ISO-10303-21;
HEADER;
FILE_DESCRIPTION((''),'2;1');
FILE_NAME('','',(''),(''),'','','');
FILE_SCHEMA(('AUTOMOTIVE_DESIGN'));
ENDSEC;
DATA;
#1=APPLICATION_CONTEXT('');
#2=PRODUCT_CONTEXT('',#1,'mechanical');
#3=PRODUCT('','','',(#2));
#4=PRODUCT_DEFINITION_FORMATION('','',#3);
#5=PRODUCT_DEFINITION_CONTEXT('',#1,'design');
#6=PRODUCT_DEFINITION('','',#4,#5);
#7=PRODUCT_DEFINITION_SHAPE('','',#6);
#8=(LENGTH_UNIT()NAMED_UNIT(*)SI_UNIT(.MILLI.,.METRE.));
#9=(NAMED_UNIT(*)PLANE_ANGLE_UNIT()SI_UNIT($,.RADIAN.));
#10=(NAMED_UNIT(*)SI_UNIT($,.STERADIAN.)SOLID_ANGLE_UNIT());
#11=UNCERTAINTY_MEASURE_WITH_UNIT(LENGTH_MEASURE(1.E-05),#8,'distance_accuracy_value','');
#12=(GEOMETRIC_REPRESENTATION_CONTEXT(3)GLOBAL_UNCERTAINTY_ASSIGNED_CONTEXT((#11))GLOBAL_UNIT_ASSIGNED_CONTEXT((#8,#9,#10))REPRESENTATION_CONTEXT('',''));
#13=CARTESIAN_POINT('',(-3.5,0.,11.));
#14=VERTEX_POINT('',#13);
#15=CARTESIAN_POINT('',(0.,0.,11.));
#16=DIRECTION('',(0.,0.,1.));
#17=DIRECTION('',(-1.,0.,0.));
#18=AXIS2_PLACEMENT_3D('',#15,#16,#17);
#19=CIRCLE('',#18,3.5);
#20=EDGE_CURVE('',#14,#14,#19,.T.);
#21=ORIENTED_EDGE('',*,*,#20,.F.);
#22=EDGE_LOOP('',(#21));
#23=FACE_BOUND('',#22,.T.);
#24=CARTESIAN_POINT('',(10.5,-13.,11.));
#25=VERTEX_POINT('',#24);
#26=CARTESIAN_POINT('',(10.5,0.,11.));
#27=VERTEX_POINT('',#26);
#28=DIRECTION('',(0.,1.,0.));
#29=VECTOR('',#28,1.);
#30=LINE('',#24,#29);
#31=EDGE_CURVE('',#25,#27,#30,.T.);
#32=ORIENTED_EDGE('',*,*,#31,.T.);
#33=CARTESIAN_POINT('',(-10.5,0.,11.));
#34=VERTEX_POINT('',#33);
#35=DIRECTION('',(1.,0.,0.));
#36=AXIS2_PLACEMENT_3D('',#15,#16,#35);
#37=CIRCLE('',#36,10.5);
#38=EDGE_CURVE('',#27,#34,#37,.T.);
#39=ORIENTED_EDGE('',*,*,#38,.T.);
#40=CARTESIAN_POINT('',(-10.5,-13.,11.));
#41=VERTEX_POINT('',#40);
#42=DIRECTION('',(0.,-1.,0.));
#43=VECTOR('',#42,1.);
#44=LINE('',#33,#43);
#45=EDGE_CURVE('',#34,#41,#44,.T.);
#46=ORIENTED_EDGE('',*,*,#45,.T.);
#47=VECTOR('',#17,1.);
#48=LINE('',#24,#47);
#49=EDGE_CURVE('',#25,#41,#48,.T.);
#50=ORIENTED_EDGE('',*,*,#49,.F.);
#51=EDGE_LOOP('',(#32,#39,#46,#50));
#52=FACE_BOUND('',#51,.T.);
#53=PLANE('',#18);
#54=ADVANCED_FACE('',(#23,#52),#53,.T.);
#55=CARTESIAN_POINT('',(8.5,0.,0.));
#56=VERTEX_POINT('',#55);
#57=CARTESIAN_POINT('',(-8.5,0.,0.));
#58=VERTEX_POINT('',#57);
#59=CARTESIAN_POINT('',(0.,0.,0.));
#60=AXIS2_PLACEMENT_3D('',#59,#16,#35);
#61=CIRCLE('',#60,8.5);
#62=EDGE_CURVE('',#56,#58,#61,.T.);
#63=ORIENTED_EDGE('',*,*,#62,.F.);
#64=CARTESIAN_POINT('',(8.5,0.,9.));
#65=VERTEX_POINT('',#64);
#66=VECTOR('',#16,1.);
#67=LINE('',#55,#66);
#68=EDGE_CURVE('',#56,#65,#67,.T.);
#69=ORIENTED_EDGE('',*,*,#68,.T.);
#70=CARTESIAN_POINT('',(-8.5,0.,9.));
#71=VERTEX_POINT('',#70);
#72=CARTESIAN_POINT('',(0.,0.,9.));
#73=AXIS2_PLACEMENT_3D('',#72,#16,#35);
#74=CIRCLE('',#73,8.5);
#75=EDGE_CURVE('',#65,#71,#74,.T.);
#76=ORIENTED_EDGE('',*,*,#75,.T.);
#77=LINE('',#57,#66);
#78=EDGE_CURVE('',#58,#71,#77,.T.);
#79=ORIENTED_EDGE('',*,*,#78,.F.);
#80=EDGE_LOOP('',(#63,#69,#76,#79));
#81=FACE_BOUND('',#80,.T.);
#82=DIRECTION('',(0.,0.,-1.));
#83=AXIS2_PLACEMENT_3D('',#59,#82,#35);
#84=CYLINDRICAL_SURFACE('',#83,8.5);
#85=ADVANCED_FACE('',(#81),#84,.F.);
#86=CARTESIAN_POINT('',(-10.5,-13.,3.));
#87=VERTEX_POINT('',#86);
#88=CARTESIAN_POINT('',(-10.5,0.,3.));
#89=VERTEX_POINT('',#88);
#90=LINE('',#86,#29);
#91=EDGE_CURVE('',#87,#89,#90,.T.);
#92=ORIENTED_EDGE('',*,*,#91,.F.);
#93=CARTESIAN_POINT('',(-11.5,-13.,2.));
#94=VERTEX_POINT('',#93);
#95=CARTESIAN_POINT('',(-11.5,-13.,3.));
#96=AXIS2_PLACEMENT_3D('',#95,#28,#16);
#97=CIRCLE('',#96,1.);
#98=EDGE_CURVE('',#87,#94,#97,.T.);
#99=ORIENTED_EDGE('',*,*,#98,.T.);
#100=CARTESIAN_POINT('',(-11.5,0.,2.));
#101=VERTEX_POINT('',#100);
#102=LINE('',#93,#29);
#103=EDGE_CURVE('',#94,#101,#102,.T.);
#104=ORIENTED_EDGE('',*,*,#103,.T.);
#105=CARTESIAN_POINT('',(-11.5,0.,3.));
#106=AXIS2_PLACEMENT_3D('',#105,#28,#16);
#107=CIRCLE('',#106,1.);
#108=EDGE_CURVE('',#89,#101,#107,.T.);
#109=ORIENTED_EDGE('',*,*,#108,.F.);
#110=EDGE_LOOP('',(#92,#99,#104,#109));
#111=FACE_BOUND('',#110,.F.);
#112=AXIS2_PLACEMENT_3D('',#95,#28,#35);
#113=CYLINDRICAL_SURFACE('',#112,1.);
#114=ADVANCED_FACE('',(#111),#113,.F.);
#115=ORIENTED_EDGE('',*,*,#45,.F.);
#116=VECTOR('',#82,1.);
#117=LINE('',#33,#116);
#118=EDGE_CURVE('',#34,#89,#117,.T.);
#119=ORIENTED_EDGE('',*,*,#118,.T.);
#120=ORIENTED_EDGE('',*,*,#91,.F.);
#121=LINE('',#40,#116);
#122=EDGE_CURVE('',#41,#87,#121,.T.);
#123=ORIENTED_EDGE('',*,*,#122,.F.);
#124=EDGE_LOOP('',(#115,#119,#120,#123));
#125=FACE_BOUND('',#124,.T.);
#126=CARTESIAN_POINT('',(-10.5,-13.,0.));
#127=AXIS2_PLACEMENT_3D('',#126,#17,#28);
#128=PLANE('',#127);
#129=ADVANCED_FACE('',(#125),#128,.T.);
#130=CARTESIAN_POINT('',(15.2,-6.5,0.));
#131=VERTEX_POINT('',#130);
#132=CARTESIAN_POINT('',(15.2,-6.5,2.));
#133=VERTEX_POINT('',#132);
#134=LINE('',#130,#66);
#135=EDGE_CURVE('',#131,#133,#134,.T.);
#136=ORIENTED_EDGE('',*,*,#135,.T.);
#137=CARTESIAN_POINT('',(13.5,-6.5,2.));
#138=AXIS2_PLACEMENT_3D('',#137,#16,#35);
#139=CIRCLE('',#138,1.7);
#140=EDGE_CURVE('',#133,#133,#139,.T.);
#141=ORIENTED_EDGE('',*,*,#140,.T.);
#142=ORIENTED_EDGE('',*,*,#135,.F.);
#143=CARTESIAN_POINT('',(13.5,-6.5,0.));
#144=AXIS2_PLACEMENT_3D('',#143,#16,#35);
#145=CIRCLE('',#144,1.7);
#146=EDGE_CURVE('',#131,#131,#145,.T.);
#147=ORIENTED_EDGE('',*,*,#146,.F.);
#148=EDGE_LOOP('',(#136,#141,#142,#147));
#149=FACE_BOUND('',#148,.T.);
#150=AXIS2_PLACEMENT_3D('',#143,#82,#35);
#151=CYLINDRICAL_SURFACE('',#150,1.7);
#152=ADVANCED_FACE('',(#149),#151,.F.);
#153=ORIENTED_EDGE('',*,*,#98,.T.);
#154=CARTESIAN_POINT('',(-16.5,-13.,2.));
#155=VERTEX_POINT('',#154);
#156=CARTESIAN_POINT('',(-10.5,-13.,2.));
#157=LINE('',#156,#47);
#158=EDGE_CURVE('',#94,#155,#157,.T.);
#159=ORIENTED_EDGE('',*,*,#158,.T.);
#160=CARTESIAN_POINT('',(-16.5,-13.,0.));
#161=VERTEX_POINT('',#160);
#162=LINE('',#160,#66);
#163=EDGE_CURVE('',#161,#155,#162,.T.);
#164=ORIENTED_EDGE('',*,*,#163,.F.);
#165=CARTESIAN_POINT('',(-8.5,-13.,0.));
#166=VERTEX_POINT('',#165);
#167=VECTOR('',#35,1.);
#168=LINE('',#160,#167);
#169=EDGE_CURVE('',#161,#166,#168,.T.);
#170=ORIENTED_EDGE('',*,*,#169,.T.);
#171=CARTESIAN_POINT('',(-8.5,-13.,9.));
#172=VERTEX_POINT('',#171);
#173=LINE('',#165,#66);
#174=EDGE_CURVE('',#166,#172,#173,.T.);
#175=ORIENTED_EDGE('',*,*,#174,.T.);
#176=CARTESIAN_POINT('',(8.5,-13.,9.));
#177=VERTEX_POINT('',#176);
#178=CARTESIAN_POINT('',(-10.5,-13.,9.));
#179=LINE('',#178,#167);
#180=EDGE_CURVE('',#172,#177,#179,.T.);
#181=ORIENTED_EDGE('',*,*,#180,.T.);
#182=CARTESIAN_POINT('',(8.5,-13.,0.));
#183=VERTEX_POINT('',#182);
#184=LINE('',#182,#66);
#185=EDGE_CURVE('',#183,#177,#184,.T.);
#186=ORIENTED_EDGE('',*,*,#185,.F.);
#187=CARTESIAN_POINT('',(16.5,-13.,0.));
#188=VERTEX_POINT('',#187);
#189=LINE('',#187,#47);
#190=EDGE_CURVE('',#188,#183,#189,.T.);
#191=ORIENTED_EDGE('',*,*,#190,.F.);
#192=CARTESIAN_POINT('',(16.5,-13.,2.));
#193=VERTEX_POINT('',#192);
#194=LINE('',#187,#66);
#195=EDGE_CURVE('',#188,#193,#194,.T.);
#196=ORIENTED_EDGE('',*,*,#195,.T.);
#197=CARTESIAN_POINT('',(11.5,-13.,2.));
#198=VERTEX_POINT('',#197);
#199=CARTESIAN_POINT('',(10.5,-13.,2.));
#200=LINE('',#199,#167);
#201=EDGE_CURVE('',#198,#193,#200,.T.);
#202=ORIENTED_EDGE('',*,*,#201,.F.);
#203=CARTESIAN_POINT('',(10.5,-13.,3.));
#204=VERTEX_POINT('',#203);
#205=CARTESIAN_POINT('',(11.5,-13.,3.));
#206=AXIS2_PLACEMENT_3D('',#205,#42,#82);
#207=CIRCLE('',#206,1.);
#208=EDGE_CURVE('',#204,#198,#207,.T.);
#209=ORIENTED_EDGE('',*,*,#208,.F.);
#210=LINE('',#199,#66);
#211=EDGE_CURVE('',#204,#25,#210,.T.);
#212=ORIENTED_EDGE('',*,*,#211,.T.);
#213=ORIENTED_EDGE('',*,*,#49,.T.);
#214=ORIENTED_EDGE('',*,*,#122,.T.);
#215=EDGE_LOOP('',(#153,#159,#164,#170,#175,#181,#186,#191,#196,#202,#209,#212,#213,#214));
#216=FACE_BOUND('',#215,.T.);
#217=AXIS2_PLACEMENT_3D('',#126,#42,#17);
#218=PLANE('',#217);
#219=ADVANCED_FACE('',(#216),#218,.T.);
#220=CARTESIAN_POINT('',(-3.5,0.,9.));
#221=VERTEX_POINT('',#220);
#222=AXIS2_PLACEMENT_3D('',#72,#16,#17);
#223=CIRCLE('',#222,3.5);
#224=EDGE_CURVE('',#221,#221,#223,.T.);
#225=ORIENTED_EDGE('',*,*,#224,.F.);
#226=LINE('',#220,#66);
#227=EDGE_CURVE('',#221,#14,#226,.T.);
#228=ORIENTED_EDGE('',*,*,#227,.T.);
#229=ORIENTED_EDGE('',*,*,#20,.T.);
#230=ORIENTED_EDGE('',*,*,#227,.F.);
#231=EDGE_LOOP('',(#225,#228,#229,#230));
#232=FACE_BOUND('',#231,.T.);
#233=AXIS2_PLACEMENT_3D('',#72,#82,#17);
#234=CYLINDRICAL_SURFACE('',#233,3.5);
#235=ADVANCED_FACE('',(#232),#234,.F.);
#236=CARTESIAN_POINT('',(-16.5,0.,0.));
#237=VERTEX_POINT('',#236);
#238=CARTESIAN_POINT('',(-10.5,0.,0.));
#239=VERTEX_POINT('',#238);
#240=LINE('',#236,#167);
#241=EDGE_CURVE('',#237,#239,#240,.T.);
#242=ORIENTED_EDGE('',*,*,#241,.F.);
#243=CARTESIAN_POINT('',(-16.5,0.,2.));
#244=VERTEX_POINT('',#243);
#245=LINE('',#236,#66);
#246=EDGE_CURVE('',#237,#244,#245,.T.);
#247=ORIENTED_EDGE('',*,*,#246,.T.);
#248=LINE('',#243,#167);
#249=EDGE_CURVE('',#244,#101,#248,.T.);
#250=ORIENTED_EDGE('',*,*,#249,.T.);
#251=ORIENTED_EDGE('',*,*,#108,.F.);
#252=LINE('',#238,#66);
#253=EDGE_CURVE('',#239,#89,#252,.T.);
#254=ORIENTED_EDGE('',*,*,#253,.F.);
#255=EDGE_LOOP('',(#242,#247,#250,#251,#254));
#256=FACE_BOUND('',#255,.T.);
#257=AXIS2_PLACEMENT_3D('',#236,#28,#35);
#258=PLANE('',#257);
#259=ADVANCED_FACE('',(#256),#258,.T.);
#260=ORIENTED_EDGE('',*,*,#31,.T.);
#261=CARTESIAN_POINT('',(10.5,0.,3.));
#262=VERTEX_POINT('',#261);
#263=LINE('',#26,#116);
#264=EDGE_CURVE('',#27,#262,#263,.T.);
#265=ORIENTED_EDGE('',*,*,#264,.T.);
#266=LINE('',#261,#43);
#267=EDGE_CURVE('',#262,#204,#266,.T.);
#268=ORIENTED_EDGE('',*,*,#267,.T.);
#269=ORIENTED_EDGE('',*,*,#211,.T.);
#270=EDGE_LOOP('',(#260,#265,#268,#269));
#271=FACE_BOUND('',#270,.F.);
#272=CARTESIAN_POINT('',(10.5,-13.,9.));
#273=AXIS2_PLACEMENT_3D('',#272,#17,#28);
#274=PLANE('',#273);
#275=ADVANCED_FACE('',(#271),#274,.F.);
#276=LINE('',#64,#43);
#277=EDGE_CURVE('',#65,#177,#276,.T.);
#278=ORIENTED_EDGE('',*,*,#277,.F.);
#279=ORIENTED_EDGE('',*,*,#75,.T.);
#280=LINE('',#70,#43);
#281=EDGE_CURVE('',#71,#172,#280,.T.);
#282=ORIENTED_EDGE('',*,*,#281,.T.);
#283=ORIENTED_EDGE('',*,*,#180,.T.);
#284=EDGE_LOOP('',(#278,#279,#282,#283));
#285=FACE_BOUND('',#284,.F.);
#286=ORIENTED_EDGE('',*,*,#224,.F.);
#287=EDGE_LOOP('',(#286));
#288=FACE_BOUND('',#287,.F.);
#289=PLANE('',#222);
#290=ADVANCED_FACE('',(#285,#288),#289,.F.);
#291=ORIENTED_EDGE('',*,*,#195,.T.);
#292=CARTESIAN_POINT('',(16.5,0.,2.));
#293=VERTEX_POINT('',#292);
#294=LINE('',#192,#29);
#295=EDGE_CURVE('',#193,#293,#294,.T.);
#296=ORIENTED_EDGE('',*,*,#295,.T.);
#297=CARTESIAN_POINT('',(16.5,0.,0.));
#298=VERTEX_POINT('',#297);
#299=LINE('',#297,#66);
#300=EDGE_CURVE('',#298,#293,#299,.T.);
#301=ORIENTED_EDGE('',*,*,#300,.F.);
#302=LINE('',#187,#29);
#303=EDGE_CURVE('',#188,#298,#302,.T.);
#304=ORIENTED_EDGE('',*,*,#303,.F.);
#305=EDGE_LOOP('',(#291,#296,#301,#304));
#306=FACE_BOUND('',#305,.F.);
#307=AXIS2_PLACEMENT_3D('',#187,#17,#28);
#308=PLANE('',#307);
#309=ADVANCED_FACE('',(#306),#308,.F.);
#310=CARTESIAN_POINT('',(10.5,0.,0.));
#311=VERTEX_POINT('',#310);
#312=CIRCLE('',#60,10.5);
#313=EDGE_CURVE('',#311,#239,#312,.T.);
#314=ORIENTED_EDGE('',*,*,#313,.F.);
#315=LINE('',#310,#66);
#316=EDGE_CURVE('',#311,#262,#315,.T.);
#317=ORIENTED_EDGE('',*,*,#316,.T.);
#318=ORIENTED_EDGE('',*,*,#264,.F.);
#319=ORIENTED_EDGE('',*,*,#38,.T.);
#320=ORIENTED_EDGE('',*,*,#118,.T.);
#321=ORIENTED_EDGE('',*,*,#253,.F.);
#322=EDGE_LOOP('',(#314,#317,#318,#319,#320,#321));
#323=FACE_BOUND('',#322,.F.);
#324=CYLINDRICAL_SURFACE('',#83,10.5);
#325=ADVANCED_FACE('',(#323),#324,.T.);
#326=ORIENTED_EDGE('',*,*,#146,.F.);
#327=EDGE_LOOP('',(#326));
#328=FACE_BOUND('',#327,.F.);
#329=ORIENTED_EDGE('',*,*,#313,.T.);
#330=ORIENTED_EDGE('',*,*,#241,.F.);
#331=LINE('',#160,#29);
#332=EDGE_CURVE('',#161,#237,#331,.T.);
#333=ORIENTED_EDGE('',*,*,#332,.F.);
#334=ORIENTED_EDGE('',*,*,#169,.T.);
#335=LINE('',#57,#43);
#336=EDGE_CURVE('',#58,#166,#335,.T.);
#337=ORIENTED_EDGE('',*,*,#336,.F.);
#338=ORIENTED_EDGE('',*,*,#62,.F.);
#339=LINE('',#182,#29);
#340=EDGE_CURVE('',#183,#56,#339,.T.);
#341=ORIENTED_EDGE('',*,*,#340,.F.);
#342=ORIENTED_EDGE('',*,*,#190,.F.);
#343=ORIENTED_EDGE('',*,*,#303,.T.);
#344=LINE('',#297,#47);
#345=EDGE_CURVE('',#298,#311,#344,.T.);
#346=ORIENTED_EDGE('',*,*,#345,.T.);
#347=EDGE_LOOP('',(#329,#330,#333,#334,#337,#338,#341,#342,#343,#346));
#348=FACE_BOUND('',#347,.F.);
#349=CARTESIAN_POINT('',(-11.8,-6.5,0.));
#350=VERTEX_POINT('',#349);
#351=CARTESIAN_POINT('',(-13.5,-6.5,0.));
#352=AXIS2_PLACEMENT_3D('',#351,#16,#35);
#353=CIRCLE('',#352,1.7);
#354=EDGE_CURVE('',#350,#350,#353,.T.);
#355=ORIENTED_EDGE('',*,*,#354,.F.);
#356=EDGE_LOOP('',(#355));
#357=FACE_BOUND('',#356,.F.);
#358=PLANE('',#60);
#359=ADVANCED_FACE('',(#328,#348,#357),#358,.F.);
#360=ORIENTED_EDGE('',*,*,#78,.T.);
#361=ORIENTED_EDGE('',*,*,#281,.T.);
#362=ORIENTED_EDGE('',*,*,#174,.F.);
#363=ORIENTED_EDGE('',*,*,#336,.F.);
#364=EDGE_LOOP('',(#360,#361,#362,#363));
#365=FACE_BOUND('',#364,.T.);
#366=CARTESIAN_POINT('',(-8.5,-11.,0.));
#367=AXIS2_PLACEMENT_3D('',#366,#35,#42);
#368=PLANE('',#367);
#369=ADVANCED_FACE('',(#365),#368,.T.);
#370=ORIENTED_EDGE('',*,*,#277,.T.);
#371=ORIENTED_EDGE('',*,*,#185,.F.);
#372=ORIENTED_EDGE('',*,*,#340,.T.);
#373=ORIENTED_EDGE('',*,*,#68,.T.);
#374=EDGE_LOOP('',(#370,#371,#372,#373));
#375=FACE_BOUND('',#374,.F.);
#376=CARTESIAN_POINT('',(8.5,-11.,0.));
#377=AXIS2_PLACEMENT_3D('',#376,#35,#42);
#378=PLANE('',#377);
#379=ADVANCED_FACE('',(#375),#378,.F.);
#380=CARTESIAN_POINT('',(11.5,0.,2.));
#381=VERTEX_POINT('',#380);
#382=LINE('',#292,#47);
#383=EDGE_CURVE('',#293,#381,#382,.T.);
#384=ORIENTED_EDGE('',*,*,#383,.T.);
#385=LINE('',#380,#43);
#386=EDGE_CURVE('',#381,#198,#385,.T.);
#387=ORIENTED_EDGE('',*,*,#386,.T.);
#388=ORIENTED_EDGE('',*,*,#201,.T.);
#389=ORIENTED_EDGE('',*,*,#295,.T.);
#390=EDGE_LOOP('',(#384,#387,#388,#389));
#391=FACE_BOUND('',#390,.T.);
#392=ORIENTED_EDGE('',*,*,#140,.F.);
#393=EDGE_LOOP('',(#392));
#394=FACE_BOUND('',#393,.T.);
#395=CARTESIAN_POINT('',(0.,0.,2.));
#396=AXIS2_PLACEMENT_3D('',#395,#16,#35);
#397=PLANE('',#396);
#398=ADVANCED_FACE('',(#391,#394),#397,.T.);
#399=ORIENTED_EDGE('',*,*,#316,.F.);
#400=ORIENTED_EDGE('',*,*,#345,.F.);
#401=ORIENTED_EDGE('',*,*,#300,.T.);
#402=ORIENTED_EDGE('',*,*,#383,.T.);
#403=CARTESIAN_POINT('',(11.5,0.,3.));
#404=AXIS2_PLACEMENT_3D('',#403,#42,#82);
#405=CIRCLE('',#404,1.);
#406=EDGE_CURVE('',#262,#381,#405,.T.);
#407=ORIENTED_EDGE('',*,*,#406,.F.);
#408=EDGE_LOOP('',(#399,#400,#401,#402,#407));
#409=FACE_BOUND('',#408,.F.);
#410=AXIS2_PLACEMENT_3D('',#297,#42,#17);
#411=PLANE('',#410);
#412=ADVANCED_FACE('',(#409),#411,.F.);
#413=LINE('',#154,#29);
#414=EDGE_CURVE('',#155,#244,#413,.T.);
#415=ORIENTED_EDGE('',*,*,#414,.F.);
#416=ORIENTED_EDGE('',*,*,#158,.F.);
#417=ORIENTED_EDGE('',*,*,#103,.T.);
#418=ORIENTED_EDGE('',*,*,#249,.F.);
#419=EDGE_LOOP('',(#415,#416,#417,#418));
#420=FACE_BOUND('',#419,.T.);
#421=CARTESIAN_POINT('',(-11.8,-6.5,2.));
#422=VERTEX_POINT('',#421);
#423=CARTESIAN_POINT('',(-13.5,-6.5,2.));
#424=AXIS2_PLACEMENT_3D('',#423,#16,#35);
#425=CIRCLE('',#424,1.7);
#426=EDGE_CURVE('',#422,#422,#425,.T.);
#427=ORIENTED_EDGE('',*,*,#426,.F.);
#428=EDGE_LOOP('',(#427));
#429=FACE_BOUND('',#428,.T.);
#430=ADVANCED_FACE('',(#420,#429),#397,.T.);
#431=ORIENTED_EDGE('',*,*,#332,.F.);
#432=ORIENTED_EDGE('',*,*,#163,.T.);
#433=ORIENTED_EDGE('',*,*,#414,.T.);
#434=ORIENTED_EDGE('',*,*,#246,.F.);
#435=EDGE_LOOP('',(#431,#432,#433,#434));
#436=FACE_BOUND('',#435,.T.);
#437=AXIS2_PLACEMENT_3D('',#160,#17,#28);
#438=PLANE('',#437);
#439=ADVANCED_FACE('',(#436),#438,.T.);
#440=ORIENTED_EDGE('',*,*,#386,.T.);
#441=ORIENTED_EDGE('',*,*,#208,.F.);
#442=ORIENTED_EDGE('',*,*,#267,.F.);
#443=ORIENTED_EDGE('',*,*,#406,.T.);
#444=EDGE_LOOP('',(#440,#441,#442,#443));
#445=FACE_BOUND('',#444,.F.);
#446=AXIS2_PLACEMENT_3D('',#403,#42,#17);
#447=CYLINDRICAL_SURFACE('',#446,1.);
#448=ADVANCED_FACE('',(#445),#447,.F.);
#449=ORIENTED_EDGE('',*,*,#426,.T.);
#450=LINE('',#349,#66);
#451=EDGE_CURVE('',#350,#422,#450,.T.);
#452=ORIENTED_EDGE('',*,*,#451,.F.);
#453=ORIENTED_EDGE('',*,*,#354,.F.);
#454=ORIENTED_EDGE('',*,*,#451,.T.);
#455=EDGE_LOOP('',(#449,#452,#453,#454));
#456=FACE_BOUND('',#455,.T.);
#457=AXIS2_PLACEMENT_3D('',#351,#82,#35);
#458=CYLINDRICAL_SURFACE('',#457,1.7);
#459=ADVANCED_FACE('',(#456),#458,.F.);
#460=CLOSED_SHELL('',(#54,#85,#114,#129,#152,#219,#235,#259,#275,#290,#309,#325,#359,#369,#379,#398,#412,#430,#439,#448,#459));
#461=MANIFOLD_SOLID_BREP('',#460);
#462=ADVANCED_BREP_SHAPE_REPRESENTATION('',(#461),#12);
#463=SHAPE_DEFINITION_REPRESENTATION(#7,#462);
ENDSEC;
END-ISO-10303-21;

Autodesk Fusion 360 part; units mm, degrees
sketch "Esquisse1" plane through (0, 0, 0) normal (0, 0, 1) x (1, 0, 0)
  line L0 (-8.5, 0) -> (8.5, 0)
  line L1 (8.5, 0) -> (8.5, -11)
  line L2 (8.5, -11) -> (-8.5, -11) construction
  line L3 (-8.5, -11) -> (-8.5, 0)
  circle A0 centre (0, 0) radius 3.5
  arc A1 (8.5, 0) -> (-8.5, 0) centre (0, 0) ccw
  line L4 (10.5, 0) -> (10.5, -13)
  line L5 (10.5, -13) -> (-10.5, -13)
  line L6 (-10.5, -13) -> (-10.5, 0)
  arc A2 (10.5, 0) -> (-10.5, 0) centre (0, 0) ccw
  line L7 (-8.5, -11) -> (-8.5, -13)
  line L8 (8.5, -11) -> (8.5, -13)
  line L9 (10.5, -13) -> (16.5, -13)
  line L10 (16.5, -13) -> (16.5, 0)
  line L11 (16.5, 0) -> (10.5, 0)
  line L12 (10.5, 0) -> (10.5, -13)
  line L13 (0, 0) -> (0, -13) construction
  line L14 (-16.5, -13) -> (-16.5, 0)
  line L15 (-10.5, -13) -> (-16.5, -13)
  line L16 (-16.5, 0) -> (-10.5, 0)
  circle A3 centre (13.5, -6.5) radius 1.7
  line L17 (16.5, -6.5) -> (10.5, -6.5) construction
  line L18 (13.5, 0) -> (13.5, -13) construction
  circle A4 centre (-13.5, -6.5) radius 1.7
  dimension "d1" = 17
  dimension "d2" = 17
  dimension "d3" = 11
  dimension "d4" = 7
  dimension "d5" = -2
  dimension "d6" = 6
  dimension "d7" = 3.4
extrude "Extrusion1" add sketch "Esquisse1" along normal blind 2 contours L4 L9 L10 L11 L12 | L6 L14 L15 L16 makes body 1 at (-13.4577, -11.3984, 0) makes body 2 at (13.5423, -11.3984, 0)
extrude "Extrusion2" add sketch "Esquisse1" along normal blind 9 contours L1 L3 A1 L4 L5 L6 A2 L7 L8 L12 bodies 1 2
sketch "Esquisse2" plane through (0, 0, 9) normal (0, 0, 1) x (-1, 0, 0)
  line L0 (8.5, 13) -> (8.5, 0)
  arc A0 (-8.5, 0) -> (8.5, 0) centre (0, 0) ccw
  line L1 (-8.5, 0) -> (-8.5, 13)
  line L2 (-8.5, 13) -> (-10.5, 13)
  line L3 (-10.5, 13) -> (-10.5, 0)
  arc A1 (-10.5, 0) -> (10.5, 0) centre (0, 0) ccw
  line L4 (10.5, 0) -> (10.5, 13)
  line L5 (10.5, 13) -> (8.5, 13)
  circle A2 centre (0, 0) radius 3.5
  line L6 (-10.5, 13) -> (10.5, 13)
  line L7 (10.5, 13) -> (10.5, 0)
  arc A3 (-10.5, 0) -> (10.5, 0) centre (0, 0) ccw
  line L8 (-10.5, 0) -> (-10.5, 13)
extrude "Extrusion3" add sketch "Esquisse2" along normal blind 2 bodies 1
fillet "Congé1" radius 1 2 edges at (10.5, -6.5, 2) (-10.5, -6.5, 2) on bodies 1
